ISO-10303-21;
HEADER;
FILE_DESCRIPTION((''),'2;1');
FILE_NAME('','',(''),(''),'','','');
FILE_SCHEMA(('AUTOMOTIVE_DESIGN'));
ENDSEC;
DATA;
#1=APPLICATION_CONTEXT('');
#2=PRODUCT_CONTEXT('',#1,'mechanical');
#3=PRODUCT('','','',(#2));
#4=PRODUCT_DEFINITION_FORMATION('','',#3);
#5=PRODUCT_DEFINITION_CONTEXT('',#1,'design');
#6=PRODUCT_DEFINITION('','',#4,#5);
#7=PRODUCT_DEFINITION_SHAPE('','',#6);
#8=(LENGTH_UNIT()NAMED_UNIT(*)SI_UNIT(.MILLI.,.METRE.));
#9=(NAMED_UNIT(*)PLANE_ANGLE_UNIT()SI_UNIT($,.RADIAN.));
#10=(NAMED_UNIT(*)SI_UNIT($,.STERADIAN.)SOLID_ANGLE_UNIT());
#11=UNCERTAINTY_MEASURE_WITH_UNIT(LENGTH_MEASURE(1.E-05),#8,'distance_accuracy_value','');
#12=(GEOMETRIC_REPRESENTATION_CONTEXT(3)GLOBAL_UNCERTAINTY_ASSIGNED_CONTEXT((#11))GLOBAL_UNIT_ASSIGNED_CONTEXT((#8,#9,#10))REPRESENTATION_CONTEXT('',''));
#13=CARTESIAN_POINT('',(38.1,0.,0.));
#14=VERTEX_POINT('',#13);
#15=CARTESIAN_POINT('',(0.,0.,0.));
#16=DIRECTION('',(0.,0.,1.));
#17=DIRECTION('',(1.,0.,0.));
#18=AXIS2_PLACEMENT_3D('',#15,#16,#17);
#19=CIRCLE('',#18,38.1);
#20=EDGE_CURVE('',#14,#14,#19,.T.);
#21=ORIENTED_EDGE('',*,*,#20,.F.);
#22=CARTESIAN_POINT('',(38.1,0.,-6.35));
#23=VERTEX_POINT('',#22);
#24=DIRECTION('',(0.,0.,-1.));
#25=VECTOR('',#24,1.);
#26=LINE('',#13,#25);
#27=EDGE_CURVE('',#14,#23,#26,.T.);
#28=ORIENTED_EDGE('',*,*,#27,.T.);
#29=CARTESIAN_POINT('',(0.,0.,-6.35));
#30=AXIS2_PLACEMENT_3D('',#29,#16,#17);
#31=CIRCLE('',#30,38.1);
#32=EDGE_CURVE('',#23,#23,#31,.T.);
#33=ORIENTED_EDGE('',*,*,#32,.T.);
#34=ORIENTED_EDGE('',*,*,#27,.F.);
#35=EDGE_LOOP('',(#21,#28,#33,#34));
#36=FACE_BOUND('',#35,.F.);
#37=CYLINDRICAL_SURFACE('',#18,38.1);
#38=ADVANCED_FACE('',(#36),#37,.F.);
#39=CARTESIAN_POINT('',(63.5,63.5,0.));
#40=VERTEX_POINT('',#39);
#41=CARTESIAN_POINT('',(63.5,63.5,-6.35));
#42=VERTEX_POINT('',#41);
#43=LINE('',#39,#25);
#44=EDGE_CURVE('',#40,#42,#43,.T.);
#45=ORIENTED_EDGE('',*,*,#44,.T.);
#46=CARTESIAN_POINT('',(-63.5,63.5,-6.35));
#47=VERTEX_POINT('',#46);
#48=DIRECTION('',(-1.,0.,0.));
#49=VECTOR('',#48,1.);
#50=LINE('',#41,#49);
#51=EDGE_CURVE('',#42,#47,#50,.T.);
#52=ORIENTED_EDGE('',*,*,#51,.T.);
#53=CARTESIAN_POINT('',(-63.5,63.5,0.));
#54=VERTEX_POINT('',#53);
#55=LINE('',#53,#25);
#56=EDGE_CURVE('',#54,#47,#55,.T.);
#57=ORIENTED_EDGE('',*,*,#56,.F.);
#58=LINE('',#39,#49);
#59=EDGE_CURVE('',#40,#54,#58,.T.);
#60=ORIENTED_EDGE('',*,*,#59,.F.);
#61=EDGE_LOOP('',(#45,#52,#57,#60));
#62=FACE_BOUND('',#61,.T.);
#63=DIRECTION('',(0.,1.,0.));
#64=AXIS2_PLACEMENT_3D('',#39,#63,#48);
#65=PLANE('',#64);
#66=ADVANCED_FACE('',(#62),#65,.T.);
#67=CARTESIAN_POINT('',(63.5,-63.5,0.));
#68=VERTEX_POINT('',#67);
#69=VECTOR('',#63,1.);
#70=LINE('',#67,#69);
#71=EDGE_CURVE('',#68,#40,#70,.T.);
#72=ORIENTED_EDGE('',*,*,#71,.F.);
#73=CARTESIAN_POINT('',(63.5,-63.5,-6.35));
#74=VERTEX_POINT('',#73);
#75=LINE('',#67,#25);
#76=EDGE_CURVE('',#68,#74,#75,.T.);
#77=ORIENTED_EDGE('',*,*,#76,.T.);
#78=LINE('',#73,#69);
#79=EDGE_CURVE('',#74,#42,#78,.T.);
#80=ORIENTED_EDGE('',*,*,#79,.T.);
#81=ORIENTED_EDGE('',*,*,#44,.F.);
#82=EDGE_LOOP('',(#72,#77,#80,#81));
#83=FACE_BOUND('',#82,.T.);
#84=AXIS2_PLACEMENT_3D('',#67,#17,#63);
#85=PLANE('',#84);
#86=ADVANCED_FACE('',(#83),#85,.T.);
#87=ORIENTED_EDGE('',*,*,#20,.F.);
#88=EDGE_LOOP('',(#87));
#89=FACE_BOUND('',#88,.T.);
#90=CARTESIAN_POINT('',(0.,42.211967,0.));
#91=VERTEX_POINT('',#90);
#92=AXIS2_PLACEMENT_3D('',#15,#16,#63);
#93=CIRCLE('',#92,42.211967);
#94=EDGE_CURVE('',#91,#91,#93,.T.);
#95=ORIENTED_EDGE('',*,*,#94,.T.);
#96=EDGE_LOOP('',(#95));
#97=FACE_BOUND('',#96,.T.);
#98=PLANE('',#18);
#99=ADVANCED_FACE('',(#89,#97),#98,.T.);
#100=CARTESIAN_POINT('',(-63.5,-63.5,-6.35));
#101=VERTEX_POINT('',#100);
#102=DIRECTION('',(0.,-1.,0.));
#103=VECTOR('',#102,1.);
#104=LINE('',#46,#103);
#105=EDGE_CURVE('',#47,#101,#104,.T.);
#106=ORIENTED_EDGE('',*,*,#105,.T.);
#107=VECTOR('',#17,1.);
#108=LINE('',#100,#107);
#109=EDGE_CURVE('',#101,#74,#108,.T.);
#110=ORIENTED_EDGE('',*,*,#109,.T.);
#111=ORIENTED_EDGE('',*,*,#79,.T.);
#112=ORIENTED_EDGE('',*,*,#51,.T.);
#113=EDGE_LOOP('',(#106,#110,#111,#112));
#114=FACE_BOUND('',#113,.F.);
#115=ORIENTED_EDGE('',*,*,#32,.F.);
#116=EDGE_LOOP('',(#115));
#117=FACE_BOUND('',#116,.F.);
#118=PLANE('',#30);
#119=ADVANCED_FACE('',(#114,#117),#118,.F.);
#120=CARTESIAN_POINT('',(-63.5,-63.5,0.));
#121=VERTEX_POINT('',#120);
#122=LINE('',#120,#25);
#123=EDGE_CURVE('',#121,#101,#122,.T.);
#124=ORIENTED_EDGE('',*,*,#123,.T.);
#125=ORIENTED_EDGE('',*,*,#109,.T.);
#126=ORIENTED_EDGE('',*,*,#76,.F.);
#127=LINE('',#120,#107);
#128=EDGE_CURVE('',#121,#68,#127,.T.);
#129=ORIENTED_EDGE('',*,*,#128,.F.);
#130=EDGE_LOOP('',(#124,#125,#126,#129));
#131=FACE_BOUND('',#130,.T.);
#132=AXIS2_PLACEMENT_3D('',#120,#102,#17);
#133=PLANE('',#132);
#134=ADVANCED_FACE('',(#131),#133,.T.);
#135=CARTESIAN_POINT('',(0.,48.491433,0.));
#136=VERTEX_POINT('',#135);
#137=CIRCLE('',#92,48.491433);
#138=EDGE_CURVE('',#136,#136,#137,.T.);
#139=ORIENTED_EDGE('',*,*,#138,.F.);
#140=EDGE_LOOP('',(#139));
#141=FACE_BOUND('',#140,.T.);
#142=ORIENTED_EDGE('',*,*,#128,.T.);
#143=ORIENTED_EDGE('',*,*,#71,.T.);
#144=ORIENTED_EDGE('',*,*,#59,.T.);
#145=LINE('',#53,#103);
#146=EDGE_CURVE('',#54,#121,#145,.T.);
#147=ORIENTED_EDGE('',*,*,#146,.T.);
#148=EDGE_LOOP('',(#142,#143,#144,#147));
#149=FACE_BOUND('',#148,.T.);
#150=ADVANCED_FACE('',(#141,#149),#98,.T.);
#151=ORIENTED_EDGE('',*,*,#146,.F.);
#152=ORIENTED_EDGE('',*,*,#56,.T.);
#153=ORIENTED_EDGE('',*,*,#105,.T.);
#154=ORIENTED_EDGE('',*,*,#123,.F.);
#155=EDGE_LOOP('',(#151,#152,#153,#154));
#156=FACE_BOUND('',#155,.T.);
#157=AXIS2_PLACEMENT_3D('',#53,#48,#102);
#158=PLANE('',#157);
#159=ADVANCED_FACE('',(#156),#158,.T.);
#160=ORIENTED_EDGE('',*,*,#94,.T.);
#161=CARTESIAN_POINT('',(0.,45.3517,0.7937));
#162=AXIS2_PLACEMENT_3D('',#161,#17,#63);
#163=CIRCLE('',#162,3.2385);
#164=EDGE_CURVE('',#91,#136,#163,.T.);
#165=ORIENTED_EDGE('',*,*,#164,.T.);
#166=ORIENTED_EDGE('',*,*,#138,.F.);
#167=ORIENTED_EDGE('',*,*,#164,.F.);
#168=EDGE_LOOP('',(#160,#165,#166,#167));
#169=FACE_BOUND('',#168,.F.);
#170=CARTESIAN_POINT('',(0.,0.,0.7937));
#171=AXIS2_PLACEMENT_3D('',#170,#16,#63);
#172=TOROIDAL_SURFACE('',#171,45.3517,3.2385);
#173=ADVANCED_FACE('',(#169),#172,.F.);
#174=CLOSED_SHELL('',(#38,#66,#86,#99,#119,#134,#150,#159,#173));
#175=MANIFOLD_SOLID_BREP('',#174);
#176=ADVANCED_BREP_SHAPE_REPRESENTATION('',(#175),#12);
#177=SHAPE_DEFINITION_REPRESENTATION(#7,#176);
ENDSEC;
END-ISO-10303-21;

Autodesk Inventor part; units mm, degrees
ref_plane "YZ Plane" through (0, 0, 0) normal (1, 0, 0) x (0, 1, 0)
ref_plane "XZ Plane" through (0, 0, 0) normal (0, 1, 0) x (-1, 0, 0)
ref_plane "XY Plane" through (0, 0, 0) normal (0, 0, 1) x (1, 0, 0)
sketch "Sketch1" plane through (0, 0, 0) normal (0, 0, 1) x (1, 0, 0)
  circle A0 centre (0, 0) radius 48.5902 construction
  circle A1 centre (0, 0) radius 42.1132 construction
  circle A2 centre (0, 0) radius 54.61 construction
  circle A3 centre (0, 0) radius 51.7652 construction
  line L0 (0, 0) -> (0, 45.3517) construction
  circle A4 centre (0, 0) radius 38.1
  line L1 (-63.5, -63.5) -> (63.5, -63.5)
  line L2 (63.5, -63.5) -> (63.5, 63.5)
  line L3 (63.5, 63.5) -> (-63.5, 63.5)
  line L4 (-63.5, 63.5) -> (-63.5, -63.5)
  line L5 (-63.5, -63.5) -> (63.5, 63.5) construction
  line L6 (63.5, -63.5) -> (-63.5, 63.5) construction
  dimension "d0" = 97.1804
  dimension "d1" = 84.2264
  dimension "d2" = 109.22
  dimension "d3" = 103.5304
  dimension "d15" = 45.3517
  dimension "d27" = 76.2
  dimension "d28" = 127
  dimension "d29" = 127
sketch "Sketch2" plane through (0, 0, 0) normal (1, 0, 0) x (0, 1, 0)
  line L0 (0, 0) -> (45.3517, 0) construction
  line L1 (45.3517, 0) -> (45.3517, 0.7937) construction
  circle A0 centre (45.3517, 0.7937) radius 3.2385
  line L2 (0, 0) -> (0, 25.4) construction
  dimension "d16" = 6.477
  dimension "d17" = 0.7937
  dimension "d18" = 25.4
extrude "Extrusion2" add sketch "Sketch1" against normal blind 6.35
revolve "Revolution2" cut sketch "Sketch2" angle 360 about axis through (0, 0, 0) along (0, 0, 1)
equation "\"d15\" = 0.25 * d1 + 0.25 * d0"
properties part number "Upper Plate" material "Aluminum 6061"
